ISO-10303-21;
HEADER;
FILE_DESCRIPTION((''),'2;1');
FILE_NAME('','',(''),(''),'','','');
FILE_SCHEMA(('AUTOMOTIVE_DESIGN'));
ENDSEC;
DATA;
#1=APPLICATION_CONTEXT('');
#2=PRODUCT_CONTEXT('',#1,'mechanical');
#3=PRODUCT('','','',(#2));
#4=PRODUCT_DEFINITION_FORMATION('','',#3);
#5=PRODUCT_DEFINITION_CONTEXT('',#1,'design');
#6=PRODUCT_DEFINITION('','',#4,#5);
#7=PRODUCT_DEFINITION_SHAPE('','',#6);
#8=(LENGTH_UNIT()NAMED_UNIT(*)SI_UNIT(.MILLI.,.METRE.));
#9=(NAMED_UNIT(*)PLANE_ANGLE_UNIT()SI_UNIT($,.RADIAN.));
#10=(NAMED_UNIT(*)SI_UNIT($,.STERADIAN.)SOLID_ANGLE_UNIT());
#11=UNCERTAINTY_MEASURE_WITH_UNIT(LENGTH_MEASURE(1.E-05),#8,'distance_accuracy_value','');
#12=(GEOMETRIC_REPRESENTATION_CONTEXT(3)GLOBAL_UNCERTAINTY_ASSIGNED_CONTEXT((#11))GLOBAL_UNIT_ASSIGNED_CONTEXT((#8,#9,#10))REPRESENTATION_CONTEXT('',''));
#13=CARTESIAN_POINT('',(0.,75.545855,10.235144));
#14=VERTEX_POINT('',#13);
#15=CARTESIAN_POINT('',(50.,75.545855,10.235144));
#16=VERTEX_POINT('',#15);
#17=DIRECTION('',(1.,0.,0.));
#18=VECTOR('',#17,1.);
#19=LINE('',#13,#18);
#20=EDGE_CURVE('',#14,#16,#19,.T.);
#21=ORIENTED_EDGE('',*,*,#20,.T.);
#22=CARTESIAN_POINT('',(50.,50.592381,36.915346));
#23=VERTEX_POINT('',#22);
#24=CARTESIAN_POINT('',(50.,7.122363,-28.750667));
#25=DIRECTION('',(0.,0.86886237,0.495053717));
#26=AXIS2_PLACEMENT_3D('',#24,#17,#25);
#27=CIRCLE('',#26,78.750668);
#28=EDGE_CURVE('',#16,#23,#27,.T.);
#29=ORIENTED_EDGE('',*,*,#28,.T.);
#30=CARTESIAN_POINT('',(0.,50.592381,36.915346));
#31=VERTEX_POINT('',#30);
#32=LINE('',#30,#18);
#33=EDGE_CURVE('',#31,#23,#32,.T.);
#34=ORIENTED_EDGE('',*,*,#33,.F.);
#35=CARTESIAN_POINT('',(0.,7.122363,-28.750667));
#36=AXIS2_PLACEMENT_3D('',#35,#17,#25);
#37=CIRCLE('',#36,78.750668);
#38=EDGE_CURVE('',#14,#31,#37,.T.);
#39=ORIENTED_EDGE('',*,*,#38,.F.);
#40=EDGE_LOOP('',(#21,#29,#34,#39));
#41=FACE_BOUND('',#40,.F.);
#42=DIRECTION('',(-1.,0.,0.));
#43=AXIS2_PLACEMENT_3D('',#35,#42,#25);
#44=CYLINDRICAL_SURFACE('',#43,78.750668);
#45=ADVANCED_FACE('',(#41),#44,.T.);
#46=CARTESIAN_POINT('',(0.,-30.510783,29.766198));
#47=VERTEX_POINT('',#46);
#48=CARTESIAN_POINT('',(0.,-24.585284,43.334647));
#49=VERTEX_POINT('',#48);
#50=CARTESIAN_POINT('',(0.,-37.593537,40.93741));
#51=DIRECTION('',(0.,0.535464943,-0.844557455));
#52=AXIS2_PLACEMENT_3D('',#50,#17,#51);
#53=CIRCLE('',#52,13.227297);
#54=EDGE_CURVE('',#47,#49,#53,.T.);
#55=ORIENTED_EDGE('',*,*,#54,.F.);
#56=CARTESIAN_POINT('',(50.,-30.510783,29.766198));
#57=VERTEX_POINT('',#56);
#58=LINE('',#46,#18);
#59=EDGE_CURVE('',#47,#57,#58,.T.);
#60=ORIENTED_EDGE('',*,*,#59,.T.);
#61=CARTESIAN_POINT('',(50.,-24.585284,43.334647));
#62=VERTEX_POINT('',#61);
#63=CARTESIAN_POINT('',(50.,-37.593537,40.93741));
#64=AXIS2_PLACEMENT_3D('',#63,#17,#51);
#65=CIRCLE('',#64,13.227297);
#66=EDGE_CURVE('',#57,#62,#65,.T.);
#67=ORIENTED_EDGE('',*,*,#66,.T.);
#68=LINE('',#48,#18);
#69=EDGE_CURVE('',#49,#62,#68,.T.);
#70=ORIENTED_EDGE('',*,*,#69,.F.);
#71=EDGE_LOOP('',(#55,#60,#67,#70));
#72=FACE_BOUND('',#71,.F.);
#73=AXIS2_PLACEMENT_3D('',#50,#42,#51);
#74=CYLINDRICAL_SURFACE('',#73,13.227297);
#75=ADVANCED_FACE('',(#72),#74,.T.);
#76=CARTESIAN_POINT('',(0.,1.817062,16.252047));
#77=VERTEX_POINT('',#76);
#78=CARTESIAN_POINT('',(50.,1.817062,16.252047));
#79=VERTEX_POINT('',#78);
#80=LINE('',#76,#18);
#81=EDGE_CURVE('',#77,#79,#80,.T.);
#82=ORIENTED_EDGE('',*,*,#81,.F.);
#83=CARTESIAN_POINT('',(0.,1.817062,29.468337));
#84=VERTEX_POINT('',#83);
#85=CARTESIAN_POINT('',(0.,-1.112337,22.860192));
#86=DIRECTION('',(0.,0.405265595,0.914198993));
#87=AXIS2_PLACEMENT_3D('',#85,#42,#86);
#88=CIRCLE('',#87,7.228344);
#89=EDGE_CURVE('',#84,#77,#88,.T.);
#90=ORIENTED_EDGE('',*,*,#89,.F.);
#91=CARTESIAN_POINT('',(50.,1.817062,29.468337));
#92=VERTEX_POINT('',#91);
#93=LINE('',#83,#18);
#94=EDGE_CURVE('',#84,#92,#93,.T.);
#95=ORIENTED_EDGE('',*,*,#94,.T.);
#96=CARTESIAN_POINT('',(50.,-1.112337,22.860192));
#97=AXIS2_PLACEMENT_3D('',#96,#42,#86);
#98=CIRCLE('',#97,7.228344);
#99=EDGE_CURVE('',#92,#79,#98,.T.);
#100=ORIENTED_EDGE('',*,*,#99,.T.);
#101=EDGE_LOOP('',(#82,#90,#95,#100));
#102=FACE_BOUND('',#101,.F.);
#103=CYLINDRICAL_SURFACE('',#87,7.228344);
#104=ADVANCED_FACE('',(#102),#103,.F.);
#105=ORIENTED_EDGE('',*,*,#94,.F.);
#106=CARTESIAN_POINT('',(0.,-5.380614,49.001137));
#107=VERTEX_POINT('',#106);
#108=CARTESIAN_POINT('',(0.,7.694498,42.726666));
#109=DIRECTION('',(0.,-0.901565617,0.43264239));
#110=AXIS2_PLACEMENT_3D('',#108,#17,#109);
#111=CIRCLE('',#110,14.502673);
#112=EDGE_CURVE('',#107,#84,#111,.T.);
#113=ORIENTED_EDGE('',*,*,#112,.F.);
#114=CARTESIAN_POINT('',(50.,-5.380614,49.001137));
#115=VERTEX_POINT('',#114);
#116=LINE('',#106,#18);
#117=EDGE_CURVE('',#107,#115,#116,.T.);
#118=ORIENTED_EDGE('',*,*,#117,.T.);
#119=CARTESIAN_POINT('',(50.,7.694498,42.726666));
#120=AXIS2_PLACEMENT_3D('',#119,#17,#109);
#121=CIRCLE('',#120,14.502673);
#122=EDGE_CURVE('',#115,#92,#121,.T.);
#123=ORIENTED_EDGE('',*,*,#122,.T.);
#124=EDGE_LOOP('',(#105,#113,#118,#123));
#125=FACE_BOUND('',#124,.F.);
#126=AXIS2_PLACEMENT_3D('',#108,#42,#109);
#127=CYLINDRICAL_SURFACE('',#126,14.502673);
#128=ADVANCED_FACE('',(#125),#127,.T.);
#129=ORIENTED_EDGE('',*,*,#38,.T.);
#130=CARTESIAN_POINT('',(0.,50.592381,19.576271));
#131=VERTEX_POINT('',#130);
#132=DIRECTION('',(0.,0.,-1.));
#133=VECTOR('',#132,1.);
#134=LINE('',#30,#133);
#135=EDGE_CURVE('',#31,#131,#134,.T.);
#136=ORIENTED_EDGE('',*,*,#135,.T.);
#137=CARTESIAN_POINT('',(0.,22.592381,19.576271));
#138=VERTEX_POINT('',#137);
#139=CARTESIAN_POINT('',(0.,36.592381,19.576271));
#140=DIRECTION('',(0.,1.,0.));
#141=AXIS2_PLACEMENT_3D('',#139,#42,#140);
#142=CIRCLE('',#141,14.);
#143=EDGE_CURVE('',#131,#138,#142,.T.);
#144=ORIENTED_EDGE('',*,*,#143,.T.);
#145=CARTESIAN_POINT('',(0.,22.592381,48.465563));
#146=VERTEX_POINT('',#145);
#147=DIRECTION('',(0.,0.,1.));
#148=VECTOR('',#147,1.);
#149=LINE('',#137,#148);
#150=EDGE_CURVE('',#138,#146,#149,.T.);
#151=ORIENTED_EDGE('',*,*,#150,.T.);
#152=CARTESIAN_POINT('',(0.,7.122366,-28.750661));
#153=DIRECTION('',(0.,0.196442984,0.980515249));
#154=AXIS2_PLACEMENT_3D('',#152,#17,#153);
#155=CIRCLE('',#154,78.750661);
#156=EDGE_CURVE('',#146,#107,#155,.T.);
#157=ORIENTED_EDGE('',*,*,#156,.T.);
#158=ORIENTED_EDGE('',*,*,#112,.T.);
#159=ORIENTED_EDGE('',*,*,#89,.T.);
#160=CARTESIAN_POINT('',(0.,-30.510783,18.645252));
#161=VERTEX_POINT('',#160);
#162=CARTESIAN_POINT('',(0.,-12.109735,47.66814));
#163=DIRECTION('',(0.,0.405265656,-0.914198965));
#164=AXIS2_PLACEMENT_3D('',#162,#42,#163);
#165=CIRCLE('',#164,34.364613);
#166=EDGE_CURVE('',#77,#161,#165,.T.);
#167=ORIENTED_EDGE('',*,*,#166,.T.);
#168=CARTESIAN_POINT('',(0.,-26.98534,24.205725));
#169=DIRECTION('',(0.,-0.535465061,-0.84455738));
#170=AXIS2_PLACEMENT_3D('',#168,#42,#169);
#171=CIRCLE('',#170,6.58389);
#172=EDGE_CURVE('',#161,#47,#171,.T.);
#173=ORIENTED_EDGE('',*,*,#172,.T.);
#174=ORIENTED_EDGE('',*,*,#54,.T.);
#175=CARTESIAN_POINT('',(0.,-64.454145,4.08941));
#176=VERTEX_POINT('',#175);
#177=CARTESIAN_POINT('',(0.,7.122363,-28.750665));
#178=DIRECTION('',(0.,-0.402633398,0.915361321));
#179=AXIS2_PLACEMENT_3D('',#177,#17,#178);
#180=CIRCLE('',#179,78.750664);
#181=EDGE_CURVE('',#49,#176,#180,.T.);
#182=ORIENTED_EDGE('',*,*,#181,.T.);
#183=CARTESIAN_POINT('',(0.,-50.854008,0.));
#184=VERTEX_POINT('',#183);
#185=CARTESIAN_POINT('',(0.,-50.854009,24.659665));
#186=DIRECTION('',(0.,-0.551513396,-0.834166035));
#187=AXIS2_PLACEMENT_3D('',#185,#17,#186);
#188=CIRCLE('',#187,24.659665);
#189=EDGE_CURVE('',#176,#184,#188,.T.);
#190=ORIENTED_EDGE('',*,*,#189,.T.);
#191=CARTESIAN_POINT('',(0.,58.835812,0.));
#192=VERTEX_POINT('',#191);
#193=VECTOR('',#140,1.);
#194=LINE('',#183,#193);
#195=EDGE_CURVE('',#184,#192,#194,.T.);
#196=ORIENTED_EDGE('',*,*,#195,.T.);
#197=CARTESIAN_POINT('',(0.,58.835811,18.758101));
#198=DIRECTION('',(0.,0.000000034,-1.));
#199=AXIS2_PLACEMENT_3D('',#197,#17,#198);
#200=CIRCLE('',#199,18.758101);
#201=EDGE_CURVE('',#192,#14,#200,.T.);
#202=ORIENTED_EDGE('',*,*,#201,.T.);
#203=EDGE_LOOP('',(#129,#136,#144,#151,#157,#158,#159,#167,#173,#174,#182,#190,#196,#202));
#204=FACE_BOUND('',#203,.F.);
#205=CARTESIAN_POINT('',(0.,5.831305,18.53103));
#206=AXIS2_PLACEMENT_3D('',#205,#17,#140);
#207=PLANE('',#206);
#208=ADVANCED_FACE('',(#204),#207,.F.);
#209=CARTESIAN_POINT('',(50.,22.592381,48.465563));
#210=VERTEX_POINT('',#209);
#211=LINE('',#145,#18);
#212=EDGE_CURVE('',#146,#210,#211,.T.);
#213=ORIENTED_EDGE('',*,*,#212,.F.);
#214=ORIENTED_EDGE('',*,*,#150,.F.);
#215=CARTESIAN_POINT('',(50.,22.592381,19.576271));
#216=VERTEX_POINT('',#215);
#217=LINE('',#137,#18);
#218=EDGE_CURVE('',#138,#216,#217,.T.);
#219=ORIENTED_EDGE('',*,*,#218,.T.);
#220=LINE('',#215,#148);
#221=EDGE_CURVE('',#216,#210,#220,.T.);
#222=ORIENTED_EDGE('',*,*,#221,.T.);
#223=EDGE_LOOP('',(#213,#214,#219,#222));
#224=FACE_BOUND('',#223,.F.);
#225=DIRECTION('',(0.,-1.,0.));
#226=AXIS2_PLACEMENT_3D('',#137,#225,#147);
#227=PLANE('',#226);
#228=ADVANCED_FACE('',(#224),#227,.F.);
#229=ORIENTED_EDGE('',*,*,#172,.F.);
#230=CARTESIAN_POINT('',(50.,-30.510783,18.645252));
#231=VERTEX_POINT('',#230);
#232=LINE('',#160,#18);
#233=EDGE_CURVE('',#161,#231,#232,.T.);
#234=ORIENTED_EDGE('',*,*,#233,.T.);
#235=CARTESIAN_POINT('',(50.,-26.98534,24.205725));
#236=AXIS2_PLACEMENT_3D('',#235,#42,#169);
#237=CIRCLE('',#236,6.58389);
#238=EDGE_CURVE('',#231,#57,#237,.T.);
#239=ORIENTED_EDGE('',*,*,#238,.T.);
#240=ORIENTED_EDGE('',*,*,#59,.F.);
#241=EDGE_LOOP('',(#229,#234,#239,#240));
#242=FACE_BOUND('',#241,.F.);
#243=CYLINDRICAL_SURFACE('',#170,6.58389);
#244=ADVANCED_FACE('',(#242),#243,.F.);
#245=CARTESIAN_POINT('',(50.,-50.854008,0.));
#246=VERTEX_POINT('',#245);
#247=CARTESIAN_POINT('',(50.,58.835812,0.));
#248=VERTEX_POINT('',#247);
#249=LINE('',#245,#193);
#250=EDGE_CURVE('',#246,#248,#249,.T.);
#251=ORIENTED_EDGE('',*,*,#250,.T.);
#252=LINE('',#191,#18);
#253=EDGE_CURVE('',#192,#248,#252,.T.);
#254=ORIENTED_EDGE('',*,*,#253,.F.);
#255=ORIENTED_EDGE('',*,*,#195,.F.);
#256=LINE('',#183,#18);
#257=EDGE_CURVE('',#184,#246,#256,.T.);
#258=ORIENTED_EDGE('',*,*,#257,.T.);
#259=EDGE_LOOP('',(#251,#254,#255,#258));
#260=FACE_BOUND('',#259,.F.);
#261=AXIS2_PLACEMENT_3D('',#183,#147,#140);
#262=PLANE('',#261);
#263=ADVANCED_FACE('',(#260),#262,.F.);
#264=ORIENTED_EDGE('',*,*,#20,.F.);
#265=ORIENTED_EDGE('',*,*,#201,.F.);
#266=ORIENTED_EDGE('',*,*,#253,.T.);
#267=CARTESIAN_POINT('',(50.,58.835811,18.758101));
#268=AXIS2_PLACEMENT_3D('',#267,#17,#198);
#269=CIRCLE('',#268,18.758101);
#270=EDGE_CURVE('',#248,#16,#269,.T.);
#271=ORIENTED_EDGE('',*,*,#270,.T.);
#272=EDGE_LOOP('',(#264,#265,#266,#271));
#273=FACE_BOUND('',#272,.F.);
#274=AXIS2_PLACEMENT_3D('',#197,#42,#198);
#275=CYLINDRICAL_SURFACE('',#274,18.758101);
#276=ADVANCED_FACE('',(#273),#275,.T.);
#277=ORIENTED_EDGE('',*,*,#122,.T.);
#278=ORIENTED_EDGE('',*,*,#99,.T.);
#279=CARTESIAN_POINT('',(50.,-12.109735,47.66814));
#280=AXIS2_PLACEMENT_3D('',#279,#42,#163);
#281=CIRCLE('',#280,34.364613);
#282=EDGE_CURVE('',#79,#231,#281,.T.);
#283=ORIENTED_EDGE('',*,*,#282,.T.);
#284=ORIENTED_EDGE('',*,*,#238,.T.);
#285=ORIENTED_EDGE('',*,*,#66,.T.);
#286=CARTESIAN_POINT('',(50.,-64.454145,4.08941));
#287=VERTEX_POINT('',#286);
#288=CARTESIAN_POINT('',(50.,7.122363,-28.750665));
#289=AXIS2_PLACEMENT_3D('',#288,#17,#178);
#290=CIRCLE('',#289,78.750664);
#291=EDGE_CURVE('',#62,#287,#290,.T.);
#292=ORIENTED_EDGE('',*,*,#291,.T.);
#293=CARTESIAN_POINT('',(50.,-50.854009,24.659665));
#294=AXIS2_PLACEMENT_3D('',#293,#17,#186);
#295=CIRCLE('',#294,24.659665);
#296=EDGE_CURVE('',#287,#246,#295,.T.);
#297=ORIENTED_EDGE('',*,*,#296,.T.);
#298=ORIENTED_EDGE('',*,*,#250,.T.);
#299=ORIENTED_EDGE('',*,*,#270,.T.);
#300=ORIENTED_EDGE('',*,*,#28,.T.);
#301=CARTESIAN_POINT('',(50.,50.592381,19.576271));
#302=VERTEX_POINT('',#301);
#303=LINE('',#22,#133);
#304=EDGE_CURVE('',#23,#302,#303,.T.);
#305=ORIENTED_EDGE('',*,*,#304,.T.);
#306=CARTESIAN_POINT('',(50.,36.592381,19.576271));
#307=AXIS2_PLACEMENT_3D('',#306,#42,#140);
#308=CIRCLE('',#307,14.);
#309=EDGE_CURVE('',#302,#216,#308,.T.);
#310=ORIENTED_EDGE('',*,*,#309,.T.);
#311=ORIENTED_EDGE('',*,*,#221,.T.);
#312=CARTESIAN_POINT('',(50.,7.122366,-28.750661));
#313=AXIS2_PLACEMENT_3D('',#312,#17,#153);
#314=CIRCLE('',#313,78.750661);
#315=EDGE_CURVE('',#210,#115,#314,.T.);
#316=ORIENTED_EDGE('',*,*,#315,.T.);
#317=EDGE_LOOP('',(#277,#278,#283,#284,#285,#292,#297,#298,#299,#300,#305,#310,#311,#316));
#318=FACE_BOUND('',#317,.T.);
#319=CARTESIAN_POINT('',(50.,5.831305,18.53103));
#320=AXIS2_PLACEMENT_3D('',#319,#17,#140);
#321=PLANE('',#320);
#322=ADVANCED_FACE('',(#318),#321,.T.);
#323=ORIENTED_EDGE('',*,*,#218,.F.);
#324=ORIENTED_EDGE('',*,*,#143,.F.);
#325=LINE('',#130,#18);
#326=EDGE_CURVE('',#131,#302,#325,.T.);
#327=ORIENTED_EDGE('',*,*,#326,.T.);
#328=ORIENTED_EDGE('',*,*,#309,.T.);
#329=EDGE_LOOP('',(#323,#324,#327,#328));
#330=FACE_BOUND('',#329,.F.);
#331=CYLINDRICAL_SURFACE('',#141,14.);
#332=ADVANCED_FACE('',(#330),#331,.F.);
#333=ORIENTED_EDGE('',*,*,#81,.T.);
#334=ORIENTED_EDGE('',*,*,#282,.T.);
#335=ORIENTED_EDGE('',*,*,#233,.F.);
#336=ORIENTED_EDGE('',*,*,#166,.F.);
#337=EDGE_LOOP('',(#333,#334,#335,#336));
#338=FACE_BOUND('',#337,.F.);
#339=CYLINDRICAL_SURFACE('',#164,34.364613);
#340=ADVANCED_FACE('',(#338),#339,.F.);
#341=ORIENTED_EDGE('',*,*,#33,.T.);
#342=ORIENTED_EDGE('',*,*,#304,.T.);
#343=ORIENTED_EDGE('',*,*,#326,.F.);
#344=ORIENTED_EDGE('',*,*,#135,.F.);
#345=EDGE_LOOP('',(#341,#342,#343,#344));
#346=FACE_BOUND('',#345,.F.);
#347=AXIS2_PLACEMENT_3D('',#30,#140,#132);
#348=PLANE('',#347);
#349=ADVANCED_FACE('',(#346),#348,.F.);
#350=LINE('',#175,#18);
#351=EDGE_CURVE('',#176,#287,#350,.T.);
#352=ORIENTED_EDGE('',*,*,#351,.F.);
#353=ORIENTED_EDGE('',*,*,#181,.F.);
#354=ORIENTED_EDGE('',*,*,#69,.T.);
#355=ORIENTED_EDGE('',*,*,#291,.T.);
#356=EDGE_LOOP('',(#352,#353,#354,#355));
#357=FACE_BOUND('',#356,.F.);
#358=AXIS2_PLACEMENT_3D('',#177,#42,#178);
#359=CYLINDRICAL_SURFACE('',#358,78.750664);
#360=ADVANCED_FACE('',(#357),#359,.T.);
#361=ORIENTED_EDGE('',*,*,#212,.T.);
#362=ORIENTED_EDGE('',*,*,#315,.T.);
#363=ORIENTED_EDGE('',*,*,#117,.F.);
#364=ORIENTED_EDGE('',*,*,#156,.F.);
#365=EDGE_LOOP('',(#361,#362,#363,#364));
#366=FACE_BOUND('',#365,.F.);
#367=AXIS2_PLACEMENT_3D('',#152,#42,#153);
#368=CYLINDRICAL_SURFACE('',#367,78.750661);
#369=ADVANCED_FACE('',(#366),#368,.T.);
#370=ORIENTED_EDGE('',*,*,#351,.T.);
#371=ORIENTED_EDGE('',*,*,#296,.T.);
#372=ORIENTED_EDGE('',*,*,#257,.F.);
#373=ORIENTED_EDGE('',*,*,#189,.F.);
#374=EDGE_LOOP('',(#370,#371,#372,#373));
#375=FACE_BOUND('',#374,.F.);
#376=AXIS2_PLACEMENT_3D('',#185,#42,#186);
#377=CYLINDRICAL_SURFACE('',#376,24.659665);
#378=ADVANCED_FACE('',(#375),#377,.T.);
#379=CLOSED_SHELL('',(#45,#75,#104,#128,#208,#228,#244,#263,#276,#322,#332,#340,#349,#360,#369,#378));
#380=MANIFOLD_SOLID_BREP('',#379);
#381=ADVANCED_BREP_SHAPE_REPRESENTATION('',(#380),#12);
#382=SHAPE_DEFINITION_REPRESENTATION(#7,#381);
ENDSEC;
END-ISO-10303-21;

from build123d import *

# Parameters (mm, degrees)
F1_DEPTH = 50


with BuildPart() as f1:
    # F0 (on Right) → F1 (new body)
    with BuildSketch(Plane.YZ):
        with BuildLine():
            ThreePointArc((-24.585284, 43.334647), (-48.122106, 27.371663), (-64.454145, 4.08941))
            ThreePointArc((-64.454145, 4.08941), (-57.954836, 1.044472), (-50.854008, 0))
            Line((-50.854008, 0), (58.835812, 0))
            ThreePointArc((58.835812, 0), (68.633563, 2.762151), (75.545855, 10.235144))
            ThreePointArc((75.545855, 10.235144), (64.637558, 25.042177), (50.592381, 36.915346))
            Line((50.592381, 36.915346), (50.592381, 19.576271))
            ThreePointArc((50.592381, 19.576271), (36.592381, 5.576271), (22.592381, 19.576271))
            Line((22.592381, 19.576271), (22.592381, 48.465563))
            ThreePointArc((22.592381, 48.465563), (8.629859, 49.98557), (-5.380614, 49.001137))
            ThreePointArc((-5.380614, 49.001137), (-5.913674, 37.712167), (1.817062, 29.468337))
            ThreePointArc((1.817062, 29.468337), (6.116007, 22.860192), (1.817062, 16.252047))
            ThreePointArc((1.817062, 16.252047), (-14.646778, 13.397307), (-30.510783, 18.645252))
            ThreePointArc((-30.510783, 18.645252), (-33.56923, 24.205725), (-30.510783, 29.766198))
            ThreePointArc((-30.510783, 29.766198), (-25.471745, 35.643683), (-24.585284, 43.334647))
        make_face()
    extrude(amount=F1_DEPTH)


solid = f1.part
